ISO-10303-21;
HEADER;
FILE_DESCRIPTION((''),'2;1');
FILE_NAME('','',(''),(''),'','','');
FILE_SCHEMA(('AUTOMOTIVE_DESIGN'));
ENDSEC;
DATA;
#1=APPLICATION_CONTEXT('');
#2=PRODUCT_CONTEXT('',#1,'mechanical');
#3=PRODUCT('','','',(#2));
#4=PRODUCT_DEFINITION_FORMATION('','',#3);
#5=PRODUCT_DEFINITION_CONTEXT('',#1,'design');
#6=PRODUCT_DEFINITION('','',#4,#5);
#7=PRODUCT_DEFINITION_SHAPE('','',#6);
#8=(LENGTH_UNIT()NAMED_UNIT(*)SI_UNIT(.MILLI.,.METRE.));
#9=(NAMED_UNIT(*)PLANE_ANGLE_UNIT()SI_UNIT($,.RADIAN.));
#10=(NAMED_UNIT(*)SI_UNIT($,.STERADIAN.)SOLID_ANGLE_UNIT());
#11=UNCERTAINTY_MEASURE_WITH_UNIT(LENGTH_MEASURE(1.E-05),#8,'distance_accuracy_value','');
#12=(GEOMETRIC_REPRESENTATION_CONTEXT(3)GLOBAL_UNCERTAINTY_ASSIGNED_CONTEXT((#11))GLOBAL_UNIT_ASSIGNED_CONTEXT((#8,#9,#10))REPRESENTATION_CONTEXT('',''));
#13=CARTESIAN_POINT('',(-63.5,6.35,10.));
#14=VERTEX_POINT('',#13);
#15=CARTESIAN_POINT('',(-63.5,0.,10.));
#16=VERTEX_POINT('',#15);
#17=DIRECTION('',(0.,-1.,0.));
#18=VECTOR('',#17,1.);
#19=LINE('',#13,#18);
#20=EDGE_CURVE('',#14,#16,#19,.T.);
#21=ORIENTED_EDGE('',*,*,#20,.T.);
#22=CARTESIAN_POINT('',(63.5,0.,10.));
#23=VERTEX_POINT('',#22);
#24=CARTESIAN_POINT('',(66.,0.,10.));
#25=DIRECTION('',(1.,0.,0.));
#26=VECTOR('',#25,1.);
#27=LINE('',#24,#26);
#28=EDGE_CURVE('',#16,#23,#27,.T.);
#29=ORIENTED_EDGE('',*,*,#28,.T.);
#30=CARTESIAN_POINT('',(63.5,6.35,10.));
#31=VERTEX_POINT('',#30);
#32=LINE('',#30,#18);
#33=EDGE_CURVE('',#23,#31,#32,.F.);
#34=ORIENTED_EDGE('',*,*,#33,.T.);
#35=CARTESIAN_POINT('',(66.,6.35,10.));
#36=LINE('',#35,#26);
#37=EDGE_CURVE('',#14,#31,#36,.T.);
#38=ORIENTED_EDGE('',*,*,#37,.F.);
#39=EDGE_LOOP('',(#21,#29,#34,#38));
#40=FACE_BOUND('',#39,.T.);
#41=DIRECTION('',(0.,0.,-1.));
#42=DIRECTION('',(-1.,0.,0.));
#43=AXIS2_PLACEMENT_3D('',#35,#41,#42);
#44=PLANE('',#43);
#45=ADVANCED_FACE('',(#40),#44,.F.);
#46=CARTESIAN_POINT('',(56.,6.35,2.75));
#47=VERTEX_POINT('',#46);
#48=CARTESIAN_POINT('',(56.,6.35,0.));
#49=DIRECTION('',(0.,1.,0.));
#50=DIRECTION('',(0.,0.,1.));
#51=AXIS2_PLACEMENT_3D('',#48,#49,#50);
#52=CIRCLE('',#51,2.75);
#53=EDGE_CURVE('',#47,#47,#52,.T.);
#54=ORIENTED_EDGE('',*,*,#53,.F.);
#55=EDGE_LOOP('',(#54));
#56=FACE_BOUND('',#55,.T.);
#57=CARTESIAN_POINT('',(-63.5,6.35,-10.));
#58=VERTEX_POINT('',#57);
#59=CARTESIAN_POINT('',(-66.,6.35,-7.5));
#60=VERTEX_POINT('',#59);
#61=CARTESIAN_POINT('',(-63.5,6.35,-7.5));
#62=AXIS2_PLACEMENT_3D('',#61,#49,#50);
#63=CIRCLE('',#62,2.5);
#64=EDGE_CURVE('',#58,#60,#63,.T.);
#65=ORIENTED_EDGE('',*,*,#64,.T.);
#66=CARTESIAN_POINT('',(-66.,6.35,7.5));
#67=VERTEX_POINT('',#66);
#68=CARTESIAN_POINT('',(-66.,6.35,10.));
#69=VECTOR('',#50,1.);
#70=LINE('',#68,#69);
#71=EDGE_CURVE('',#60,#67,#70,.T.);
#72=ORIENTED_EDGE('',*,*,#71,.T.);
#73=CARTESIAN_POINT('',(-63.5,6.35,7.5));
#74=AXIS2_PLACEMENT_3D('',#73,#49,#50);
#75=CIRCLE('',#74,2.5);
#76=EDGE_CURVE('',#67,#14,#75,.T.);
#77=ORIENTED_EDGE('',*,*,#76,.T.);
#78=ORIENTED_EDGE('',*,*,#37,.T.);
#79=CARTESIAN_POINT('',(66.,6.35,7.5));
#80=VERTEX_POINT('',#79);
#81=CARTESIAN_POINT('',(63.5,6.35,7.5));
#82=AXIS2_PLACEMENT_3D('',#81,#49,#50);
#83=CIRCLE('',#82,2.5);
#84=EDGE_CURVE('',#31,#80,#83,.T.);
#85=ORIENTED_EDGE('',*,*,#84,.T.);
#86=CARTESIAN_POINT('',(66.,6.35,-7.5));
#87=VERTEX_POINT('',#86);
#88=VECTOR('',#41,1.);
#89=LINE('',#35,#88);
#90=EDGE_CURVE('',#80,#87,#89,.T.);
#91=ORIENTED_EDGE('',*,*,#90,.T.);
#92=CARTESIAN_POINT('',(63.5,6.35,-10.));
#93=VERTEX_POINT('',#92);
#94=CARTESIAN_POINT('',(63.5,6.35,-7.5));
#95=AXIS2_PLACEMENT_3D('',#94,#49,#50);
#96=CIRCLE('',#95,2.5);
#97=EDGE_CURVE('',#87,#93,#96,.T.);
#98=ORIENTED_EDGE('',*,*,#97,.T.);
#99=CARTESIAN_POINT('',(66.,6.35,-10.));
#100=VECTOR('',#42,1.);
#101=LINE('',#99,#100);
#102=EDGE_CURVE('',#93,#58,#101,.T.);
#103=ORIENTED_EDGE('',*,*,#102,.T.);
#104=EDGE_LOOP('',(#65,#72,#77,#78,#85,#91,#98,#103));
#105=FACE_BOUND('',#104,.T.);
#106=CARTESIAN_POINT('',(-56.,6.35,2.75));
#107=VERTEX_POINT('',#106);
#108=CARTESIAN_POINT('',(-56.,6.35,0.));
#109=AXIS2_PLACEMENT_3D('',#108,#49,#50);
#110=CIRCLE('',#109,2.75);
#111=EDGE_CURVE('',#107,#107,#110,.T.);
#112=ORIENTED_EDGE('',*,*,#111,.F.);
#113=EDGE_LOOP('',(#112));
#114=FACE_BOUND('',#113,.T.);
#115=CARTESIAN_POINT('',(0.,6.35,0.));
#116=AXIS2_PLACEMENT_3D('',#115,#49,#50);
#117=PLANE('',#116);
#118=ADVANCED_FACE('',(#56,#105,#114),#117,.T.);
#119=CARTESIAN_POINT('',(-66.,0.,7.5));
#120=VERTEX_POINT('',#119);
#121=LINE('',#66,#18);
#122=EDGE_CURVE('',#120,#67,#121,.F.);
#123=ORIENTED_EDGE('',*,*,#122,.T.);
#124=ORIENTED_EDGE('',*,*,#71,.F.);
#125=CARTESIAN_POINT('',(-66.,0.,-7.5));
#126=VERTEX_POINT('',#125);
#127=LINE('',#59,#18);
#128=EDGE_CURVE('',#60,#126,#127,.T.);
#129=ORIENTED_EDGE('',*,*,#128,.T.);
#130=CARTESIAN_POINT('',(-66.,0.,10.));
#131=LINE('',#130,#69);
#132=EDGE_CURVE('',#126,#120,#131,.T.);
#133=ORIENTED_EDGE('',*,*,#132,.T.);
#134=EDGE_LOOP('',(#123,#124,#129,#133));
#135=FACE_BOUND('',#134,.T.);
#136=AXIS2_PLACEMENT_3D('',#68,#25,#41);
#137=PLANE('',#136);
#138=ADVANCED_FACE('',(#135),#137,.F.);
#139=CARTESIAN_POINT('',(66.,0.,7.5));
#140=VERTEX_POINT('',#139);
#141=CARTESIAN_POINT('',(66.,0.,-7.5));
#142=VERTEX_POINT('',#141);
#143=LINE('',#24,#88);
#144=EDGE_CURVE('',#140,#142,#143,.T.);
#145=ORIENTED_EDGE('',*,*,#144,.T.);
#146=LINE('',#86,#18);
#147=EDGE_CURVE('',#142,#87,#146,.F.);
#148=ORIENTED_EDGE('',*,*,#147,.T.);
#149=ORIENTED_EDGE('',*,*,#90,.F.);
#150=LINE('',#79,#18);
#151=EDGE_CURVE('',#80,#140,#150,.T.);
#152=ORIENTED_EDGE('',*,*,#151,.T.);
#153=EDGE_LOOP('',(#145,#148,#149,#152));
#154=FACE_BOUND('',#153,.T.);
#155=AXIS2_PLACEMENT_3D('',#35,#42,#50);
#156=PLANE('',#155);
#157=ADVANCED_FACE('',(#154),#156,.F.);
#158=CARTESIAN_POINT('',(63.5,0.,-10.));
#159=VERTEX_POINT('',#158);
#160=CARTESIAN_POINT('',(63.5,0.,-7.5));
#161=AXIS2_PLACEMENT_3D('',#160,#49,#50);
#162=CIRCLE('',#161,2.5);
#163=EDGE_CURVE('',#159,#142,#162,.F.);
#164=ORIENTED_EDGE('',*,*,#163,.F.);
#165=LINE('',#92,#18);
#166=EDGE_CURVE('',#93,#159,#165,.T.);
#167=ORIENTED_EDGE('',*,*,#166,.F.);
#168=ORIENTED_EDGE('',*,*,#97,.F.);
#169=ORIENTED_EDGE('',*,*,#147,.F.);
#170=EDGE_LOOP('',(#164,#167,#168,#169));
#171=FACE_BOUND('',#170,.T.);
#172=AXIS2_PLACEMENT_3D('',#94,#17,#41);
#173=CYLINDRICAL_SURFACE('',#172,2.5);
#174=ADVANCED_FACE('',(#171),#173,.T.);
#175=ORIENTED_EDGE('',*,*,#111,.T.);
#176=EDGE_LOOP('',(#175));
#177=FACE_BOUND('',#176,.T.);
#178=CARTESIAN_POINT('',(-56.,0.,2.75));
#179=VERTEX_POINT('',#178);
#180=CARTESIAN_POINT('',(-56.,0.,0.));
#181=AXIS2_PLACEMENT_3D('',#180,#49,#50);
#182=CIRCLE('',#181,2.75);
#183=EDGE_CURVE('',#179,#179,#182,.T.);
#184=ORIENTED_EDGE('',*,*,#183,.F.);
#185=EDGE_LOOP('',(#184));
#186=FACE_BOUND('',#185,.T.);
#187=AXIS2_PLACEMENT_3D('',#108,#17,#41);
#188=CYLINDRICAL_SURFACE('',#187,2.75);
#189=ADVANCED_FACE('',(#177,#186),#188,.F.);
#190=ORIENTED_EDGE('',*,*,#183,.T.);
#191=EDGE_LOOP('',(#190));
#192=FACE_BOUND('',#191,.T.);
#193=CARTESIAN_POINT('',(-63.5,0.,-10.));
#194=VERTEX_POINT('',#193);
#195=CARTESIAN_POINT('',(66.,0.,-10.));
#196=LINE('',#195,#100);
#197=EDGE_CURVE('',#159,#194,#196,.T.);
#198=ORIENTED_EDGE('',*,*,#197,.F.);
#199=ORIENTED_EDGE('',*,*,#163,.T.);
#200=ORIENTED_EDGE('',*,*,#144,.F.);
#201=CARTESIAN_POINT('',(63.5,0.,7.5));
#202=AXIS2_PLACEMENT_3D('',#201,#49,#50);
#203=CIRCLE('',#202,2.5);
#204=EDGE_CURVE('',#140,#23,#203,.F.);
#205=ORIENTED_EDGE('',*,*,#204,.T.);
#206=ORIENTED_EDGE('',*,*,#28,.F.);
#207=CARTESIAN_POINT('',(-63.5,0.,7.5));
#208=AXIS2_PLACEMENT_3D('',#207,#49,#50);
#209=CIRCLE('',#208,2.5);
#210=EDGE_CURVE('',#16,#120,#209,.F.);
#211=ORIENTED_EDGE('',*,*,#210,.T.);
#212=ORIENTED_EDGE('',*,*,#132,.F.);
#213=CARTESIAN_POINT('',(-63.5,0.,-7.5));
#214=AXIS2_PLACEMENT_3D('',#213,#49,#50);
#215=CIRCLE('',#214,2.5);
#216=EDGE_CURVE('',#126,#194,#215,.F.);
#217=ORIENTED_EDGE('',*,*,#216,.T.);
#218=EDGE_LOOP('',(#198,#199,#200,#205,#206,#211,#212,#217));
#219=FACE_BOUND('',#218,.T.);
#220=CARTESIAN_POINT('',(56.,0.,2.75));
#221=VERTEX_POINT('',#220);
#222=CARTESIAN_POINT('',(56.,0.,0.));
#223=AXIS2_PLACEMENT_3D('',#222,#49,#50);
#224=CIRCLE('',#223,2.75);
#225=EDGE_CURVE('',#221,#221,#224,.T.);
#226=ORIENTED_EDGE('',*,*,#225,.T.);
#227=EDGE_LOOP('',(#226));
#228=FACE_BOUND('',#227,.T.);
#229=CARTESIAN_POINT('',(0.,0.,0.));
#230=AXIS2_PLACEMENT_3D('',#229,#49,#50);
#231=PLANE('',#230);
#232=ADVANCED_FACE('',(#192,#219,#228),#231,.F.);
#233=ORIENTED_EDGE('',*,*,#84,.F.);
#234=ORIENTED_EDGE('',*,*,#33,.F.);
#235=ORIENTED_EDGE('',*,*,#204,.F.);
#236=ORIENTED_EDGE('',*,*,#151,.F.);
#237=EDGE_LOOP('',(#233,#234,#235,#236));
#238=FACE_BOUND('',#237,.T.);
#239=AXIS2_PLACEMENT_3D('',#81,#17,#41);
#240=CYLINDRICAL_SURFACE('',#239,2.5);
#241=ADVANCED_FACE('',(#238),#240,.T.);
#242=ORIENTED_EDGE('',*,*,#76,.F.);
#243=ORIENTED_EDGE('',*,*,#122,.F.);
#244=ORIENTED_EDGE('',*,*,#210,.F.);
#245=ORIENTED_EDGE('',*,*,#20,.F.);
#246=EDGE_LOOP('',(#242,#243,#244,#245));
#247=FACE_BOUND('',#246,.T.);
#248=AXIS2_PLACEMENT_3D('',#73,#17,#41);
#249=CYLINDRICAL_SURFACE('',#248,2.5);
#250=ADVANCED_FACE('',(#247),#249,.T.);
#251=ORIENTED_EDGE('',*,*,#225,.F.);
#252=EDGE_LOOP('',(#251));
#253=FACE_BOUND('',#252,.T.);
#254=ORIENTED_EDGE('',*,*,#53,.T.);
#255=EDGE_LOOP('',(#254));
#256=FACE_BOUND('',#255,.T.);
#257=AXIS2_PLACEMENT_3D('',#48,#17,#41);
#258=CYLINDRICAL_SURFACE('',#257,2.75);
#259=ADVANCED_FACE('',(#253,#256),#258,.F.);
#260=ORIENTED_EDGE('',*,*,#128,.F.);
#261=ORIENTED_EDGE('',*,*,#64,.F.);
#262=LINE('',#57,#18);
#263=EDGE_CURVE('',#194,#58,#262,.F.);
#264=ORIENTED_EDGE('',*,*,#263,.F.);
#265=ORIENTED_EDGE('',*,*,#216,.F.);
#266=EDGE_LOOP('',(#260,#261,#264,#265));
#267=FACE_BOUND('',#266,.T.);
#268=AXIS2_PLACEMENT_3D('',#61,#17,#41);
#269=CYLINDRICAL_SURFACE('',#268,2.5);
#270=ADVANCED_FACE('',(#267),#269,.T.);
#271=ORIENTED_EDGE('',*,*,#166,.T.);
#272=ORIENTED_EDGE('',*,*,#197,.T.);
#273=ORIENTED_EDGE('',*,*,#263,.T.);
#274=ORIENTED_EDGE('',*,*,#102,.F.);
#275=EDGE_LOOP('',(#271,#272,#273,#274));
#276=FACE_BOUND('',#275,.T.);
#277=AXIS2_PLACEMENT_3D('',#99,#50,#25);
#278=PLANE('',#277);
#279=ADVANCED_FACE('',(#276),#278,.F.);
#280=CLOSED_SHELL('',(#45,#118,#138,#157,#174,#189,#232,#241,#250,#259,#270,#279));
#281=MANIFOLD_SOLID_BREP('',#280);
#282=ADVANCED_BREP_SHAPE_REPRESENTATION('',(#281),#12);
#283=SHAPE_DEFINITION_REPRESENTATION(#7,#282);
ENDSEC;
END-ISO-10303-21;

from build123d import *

# Parameters (mm, degrees)
SKETCH1_W           = 132
SKETCH1_H           = 20
SKETCH1_R           = 2.75
BOSS_EXTRUDE1_DEPTH = 6.35
FILLET1_R           = 2.5


with BuildPart() as part:
    # Sketch1 → Boss-Extrude1 (new body)
    with BuildSketch(Plane(origin=(0, 0, 0), x_dir=(1, 0, 0), z_dir=(0, 1, 0))):
        Rectangle(SKETCH1_W, SKETCH1_H)
        with Locations((-56, 0)):
            Circle(SKETCH1_R, mode=Mode.SUBTRACT)
        with Locations((56, 0)):
            Circle(SKETCH1_R, mode=Mode.SUBTRACT)
    extrude(amount=BOSS_EXTRUDE1_DEPTH)

    # Fillet1
    fillet1_edges = [part.edges().sort_by_distance(p)[0] for p in [
        (-66, 3.175, -10),
        (66, 3.175, -10),
        (66, 3.175, 10),
        (-66, 3.175, 10),
    ]]
    fillet(fillet1_edges, radius=FILLET1_R)


solid = part.part
